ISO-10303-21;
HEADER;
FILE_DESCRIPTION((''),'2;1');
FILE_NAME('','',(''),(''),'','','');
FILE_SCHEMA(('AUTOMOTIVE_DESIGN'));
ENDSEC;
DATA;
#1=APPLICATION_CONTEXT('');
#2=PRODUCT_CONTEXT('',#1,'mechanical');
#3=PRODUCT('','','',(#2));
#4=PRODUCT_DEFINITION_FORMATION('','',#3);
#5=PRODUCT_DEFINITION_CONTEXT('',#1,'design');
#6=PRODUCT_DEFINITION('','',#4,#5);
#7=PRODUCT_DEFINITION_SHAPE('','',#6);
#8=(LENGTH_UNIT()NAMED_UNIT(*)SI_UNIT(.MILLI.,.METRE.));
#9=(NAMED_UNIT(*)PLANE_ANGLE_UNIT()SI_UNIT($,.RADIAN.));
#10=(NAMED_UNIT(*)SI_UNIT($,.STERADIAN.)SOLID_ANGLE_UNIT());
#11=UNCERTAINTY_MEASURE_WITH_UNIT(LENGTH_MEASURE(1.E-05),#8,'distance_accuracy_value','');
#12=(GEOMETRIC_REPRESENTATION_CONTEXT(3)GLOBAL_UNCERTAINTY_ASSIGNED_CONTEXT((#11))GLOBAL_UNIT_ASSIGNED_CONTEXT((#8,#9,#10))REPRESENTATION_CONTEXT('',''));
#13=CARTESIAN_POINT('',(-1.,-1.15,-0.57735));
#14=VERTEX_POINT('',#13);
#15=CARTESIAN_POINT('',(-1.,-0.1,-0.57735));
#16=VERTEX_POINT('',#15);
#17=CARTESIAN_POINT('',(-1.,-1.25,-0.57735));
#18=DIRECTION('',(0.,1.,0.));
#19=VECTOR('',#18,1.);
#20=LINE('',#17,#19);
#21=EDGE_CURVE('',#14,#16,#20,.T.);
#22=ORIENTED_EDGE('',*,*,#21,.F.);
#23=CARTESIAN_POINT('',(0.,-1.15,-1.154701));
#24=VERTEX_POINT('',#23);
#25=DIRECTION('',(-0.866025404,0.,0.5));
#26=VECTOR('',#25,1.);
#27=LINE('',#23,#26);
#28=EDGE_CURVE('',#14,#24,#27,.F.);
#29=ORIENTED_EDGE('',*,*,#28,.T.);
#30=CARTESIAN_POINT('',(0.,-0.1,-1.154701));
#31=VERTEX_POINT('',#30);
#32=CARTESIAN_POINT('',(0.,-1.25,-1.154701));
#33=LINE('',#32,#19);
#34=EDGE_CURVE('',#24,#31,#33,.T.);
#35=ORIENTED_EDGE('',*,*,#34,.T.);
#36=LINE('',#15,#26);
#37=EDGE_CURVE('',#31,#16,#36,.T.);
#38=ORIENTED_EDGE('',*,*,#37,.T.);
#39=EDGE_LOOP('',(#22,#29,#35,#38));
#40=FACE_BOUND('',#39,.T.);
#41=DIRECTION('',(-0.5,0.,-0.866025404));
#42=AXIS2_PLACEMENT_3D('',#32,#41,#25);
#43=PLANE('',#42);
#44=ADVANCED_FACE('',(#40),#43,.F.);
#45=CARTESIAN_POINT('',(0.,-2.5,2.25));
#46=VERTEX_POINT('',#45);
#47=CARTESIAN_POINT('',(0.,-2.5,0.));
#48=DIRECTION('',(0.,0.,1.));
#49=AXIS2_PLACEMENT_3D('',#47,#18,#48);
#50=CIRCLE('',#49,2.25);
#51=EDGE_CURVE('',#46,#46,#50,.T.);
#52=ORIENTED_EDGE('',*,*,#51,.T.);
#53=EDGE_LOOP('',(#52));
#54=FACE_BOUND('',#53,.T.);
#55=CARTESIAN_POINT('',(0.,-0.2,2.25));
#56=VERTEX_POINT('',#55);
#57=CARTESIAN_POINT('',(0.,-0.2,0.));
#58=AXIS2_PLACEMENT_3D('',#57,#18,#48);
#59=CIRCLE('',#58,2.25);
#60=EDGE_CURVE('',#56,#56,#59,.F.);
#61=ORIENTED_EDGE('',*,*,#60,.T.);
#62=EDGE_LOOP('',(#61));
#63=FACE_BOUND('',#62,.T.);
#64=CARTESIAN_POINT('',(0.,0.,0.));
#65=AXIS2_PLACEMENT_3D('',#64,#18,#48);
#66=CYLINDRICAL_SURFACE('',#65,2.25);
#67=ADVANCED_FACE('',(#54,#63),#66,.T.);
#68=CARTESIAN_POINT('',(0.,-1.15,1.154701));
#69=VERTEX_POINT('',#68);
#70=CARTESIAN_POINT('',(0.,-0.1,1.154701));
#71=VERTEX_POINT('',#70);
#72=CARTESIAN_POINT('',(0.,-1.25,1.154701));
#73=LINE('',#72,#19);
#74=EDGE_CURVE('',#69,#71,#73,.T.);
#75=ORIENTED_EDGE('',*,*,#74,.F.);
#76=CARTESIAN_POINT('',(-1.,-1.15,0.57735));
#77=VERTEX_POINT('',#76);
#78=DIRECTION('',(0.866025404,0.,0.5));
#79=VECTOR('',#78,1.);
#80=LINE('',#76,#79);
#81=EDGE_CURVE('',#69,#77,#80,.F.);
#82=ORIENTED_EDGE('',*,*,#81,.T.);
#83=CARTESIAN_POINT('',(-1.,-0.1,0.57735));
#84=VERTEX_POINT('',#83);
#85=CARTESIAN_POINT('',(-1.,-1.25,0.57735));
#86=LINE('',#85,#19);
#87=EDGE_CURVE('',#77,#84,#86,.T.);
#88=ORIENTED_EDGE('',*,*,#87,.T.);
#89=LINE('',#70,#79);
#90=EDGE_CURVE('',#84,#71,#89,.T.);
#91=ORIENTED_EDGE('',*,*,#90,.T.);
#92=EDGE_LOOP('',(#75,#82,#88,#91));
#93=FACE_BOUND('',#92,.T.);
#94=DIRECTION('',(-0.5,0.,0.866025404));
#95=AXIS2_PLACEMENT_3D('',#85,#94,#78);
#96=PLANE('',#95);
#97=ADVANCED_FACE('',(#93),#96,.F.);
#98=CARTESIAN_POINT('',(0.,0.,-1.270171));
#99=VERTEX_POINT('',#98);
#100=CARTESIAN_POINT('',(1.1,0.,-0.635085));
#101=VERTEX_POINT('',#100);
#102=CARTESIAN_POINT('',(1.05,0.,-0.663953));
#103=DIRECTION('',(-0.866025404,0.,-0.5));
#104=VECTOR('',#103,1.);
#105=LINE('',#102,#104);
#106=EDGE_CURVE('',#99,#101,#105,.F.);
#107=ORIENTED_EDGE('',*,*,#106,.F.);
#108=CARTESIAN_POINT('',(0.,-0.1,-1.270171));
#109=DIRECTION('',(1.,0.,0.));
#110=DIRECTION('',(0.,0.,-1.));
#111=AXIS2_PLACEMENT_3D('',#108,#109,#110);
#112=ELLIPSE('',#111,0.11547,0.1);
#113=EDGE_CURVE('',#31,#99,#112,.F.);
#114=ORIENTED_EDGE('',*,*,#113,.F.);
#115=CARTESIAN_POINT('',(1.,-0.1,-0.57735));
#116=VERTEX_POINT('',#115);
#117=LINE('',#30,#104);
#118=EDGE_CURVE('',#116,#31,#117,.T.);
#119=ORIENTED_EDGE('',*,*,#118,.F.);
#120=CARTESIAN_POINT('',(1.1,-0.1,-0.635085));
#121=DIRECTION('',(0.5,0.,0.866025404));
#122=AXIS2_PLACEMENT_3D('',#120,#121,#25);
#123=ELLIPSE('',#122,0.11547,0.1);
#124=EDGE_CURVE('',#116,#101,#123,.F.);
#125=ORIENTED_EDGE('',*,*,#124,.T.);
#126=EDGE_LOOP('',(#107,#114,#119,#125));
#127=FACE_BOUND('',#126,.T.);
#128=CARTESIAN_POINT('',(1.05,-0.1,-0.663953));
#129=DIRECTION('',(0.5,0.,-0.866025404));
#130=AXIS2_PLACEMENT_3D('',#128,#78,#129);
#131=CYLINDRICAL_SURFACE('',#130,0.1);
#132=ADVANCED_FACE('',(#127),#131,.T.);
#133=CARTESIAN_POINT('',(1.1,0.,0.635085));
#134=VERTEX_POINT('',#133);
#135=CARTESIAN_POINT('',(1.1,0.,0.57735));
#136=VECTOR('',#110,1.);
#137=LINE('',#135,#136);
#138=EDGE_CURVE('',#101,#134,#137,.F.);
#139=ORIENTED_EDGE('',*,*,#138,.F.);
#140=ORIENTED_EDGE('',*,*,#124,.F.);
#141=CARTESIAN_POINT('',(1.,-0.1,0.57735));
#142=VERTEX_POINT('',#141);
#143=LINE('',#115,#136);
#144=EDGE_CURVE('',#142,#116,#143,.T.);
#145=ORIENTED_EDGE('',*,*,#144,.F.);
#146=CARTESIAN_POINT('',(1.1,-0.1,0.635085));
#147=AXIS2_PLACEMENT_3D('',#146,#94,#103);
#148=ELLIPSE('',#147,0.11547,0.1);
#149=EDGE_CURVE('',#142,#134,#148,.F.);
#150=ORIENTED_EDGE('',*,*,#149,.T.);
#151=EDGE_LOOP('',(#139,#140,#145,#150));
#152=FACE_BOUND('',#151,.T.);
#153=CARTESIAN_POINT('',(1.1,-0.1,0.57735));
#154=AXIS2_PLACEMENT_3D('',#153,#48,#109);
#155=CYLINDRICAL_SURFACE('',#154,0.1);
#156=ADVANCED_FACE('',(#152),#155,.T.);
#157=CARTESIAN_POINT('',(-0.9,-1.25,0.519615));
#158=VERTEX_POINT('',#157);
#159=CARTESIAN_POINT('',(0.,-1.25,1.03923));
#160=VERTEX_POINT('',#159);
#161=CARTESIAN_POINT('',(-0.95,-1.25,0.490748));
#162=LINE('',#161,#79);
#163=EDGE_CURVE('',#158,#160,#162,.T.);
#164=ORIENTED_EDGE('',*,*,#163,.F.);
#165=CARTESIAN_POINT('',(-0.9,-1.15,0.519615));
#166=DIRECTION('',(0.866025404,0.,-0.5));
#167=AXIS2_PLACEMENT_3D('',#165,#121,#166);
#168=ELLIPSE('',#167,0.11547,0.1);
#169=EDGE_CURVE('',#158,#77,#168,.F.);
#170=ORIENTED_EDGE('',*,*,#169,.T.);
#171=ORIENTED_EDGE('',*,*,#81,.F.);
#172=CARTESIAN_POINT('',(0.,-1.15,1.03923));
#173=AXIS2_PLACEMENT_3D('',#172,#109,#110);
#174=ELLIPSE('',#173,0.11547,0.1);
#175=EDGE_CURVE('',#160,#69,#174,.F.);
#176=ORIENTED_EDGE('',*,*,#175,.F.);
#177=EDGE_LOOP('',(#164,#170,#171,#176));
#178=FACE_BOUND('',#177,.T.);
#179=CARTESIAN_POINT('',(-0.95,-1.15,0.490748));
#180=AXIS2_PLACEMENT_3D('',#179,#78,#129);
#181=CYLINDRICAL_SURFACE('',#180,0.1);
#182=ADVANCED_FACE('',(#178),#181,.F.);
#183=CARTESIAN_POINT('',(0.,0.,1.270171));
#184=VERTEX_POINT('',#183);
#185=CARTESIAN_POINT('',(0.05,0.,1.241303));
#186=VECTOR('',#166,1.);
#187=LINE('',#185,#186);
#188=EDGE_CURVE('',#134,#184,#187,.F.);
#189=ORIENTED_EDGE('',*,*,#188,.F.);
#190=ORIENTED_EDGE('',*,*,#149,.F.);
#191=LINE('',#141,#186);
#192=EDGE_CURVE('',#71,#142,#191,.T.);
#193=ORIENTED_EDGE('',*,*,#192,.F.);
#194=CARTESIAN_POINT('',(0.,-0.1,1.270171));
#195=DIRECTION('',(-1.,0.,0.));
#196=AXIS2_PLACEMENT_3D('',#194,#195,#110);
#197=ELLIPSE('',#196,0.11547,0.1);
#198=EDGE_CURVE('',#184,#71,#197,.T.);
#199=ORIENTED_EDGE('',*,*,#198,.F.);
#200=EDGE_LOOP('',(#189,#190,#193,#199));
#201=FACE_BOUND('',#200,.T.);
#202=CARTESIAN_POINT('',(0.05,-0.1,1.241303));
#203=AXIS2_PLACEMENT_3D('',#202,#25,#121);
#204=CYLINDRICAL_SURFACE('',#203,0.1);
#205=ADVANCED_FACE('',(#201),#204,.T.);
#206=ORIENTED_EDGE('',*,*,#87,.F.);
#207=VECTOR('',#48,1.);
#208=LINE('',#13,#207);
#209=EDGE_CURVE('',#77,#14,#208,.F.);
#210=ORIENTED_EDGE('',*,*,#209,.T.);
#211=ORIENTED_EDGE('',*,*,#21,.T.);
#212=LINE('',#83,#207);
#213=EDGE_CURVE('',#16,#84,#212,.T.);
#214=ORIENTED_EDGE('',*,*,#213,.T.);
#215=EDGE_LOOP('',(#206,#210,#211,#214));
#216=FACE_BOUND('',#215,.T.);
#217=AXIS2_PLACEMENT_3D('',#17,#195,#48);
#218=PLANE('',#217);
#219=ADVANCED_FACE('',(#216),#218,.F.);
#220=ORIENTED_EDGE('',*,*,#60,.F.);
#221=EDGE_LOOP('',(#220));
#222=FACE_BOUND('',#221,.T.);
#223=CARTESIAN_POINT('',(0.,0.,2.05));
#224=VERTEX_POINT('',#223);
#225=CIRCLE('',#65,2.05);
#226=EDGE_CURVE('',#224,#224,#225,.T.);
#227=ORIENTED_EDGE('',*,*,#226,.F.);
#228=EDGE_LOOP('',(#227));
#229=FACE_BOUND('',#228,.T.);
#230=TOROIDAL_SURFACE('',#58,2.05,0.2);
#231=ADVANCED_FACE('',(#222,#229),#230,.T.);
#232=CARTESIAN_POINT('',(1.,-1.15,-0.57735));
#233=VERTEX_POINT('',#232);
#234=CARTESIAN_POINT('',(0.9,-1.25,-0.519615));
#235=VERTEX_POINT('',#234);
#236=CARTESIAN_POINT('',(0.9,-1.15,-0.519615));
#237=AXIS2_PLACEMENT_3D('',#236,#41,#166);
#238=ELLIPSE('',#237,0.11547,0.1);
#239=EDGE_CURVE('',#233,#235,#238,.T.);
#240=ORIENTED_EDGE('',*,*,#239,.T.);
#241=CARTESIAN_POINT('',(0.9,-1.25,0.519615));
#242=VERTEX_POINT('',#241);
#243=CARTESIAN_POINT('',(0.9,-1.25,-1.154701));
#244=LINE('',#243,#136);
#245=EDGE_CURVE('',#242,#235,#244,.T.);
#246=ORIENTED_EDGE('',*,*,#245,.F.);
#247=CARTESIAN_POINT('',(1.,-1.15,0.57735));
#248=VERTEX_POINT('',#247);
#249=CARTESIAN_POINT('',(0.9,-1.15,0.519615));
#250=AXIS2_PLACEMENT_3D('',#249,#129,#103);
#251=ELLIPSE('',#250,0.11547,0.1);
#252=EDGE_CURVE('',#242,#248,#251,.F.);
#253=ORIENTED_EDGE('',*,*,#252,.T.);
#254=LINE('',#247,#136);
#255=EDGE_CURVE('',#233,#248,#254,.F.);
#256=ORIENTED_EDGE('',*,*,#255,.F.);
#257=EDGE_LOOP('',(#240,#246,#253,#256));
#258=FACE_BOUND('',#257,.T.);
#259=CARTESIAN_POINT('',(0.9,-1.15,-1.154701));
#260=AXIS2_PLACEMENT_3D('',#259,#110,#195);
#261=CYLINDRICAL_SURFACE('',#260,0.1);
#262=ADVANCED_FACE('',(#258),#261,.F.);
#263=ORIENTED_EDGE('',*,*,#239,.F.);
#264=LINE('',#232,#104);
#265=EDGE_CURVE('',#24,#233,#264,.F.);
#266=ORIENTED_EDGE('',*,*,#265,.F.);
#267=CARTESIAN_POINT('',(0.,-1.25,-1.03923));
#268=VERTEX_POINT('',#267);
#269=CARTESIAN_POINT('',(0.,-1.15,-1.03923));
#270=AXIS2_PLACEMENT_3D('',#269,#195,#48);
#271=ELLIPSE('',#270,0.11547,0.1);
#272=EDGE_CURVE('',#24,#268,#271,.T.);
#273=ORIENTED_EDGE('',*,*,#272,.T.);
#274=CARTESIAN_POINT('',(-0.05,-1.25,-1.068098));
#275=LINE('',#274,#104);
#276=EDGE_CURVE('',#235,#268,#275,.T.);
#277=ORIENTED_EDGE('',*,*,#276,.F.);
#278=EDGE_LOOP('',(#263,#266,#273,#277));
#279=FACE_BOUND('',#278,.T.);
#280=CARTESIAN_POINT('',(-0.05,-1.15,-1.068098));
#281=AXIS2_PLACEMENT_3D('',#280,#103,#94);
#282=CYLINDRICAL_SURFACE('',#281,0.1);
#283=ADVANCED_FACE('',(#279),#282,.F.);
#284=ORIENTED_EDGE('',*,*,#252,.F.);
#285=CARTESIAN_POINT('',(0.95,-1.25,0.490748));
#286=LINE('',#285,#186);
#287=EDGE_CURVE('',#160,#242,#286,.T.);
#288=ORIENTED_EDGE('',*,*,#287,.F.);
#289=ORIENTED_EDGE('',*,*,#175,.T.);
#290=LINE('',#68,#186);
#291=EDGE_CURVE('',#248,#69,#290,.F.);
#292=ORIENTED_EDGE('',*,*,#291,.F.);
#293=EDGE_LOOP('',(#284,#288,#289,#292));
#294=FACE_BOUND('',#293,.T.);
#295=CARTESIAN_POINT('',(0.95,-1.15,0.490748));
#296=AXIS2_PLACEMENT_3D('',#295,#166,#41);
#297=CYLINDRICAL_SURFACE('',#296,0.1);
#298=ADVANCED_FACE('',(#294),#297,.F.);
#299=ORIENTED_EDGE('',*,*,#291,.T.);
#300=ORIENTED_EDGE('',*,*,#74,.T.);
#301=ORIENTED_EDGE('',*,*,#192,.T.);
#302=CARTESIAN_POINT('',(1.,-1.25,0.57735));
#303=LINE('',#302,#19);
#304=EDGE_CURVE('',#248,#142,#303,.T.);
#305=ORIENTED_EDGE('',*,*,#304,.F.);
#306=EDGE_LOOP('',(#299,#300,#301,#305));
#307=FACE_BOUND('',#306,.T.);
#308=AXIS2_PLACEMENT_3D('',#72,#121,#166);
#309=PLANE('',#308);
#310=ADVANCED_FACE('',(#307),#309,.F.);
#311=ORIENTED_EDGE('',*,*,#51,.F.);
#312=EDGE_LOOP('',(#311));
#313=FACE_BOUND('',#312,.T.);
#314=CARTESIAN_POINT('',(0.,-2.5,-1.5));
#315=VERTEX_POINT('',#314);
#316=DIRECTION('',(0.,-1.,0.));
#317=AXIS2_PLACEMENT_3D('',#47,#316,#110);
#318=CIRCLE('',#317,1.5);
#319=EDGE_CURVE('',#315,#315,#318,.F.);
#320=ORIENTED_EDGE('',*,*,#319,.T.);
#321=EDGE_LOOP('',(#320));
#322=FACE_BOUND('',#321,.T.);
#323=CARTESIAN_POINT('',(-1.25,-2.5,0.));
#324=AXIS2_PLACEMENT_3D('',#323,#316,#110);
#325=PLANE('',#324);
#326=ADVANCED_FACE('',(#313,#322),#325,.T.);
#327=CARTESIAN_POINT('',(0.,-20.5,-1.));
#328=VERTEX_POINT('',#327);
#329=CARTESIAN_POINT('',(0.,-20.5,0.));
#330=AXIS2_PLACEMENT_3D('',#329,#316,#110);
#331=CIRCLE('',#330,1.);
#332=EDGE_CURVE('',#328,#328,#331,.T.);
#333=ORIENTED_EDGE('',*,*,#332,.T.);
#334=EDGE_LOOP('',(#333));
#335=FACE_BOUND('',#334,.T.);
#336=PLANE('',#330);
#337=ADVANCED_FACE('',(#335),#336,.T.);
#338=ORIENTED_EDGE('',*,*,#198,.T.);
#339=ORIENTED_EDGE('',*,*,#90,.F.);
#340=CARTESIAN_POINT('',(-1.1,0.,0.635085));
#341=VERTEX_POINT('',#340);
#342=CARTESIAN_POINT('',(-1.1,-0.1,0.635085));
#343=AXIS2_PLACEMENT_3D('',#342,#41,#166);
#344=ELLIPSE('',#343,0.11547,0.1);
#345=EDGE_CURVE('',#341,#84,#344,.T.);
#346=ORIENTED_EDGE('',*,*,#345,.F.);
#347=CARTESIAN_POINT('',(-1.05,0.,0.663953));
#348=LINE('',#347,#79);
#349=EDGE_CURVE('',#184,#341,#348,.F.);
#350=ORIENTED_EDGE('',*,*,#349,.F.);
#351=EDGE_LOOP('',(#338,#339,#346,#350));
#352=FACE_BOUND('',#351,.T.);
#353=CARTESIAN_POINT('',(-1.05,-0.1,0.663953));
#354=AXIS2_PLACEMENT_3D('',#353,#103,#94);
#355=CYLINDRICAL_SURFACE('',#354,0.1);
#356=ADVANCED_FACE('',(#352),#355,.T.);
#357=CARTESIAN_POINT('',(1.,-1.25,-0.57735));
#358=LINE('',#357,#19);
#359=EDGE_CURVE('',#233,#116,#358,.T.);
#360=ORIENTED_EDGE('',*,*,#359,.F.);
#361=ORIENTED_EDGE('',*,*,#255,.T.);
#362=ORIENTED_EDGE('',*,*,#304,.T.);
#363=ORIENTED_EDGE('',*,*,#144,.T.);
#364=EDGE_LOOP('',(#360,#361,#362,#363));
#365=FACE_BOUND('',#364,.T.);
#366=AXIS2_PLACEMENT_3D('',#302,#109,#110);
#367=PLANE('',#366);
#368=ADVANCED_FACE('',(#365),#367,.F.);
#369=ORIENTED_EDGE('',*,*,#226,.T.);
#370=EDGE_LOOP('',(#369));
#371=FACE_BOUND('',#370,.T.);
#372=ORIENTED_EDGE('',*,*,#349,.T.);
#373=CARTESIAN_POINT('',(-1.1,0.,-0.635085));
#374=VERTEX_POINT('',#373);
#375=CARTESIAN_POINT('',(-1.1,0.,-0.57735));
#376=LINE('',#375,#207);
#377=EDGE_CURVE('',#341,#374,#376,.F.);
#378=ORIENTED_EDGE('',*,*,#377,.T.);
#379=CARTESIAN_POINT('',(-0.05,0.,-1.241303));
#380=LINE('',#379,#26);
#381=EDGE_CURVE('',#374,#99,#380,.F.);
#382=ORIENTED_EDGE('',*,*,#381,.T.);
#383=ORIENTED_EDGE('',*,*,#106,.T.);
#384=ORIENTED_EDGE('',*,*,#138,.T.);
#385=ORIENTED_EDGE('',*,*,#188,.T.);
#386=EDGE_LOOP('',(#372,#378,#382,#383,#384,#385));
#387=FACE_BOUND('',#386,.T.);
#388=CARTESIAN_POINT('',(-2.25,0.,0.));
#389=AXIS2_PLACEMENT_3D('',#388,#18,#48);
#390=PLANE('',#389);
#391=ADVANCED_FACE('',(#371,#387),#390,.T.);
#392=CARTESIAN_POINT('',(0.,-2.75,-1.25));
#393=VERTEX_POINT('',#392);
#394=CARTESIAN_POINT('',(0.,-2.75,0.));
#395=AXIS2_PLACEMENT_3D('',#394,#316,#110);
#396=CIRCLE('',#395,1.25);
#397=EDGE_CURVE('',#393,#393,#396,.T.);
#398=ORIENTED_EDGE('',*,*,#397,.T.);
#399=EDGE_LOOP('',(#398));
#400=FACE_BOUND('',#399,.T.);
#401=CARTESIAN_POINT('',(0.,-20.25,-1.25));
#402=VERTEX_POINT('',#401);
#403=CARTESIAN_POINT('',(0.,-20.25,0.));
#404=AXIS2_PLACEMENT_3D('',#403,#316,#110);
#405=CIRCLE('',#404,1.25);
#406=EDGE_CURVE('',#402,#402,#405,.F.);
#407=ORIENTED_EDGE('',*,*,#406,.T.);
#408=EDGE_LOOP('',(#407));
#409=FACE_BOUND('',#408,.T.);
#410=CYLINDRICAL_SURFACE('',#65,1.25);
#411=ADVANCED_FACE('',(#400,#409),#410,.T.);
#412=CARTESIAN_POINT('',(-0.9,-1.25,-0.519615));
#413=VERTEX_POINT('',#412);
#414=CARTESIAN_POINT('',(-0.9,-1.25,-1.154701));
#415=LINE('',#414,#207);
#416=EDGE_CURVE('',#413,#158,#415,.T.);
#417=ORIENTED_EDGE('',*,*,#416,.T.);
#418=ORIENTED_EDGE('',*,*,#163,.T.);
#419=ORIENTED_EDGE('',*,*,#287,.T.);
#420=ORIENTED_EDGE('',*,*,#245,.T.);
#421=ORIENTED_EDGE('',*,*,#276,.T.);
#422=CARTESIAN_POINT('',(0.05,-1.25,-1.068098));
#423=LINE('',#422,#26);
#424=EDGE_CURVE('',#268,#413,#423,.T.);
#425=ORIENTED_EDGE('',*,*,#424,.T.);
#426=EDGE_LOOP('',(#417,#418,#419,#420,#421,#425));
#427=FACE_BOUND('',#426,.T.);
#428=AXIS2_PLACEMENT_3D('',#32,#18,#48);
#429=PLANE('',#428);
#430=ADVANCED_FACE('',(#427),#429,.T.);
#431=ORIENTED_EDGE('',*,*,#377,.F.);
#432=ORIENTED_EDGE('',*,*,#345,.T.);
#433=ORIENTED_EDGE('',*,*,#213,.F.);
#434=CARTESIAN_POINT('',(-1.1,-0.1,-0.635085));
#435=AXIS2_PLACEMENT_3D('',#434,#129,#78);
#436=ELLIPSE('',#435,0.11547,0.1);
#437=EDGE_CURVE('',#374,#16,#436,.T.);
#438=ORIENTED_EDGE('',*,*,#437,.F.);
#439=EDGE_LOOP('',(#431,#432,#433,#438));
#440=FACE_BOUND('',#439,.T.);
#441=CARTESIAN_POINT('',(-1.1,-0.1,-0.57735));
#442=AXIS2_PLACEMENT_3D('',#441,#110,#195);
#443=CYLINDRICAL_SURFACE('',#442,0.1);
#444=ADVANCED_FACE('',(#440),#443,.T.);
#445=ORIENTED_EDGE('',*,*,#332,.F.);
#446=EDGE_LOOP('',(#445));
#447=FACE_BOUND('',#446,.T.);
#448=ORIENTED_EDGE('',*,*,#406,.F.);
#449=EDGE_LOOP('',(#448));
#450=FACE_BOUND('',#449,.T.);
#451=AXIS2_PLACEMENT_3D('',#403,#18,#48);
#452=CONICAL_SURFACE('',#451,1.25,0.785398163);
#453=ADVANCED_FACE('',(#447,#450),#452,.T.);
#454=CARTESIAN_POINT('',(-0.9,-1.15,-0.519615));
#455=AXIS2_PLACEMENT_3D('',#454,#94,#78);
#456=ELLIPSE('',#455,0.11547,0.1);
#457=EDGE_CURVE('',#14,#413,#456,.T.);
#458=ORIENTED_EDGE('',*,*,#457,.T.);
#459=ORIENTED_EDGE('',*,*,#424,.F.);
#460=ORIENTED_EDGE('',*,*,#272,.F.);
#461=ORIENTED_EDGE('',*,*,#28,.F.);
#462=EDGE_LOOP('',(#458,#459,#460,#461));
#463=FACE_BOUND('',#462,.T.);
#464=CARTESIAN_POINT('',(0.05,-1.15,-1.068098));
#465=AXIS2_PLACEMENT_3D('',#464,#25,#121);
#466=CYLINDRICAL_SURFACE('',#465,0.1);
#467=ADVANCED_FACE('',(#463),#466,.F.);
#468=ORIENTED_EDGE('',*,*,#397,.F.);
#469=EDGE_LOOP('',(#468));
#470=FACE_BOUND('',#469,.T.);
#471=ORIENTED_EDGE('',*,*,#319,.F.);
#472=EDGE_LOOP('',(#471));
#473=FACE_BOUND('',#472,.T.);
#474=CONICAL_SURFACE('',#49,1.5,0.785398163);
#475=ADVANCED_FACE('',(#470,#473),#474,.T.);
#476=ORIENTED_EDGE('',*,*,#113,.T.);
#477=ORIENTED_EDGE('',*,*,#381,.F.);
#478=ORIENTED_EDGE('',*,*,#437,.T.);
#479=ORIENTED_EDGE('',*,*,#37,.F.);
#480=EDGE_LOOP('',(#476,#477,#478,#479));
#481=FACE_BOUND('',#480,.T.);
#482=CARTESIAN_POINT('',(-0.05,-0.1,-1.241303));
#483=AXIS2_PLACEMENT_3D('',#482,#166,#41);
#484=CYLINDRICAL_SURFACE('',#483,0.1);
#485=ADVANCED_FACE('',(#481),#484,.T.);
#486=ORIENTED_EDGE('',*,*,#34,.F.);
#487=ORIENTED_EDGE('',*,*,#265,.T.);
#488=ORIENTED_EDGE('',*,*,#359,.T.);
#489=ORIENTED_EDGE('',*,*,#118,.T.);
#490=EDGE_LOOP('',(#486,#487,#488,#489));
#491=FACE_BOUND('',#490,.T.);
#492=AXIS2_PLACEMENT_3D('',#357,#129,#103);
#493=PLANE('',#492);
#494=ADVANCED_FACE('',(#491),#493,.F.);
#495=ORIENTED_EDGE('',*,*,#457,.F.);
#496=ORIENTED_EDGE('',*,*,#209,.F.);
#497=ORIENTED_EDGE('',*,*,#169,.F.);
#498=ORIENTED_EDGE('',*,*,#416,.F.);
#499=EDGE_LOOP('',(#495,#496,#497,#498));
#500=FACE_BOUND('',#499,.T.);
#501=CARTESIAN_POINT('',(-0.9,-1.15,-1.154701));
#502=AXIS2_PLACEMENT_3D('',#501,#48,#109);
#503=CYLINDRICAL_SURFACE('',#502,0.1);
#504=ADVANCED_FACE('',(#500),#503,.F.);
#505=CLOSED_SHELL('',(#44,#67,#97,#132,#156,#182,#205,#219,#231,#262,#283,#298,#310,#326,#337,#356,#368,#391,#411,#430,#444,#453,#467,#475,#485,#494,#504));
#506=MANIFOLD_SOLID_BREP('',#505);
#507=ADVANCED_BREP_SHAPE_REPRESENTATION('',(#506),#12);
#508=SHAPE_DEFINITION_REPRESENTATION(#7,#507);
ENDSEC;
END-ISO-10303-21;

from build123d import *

# Parameters (mm, degrees)
CHAMFER1_SIZE      = 0.25
FILLET1_R          = 0.2
CUT_EXTRUDE1_DEPTH = 1.25
FILLET2_R          = 0.1


with BuildPart() as part:
    # Sketch1 → Revolve1 (revolve)
    with BuildSketch(Plane.XY, mode=Mode.PRIVATE) as revolve1_sk:
        Polygon((0, -20.5), (-1.25, -20.5), (-1.25, -2.5), (-2.25, -2.5), (-2.25, 0), (0, 0), align=None)
    revolve(revolve1_sk.sketch.rotate(Axis((0, 0, 0), (0, -1, 0)), 270), axis=Axis((0, 0, 0), (0, -1, 0)))

    # Chamfer1
    chamfer1_edges = [part.edges().sort_by_distance(p)[0] for p in [
        (0, -2.5, -1.25),
        (0, -20.5, -1.25),
    ]]
    chamfer(chamfer1_edges, length=CHAMFER1_SIZE)

    # Fillet1
    fillet1_edges = [part.edges().sort_by_distance(p)[0] for p in [
        (0, 0, -2.25),
    ]]
    fillet(fillet1_edges, radius=FILLET1_R)

    # Sketch2 → Cut-Extrude1 (cut)
    with BuildSketch(Plane(origin=(0, 0, 0), x_dir=(1, 0, 0), z_dir=(0, 1, 0))):
        Polygon((0, 1.154700538), (-1, 0.577350269), (-1, -0.577350269), (0, -1.154700538), (1, -0.577350269), (1, 0.577350269), align=None)
    extrude(amount=-CUT_EXTRUDE1_DEPTH, mode=Mode.SUBTRACT)

    # Fillet2
    fillet2_edges = [part.edges().sort_by_distance(p)[0] for p in [
        (0.5, -1.25, -0.866025404),
        (1, -1.25, 0),
        (0.5, -1.25, 0.866025404),
        (-0.5, -1.25, 0.866025404),
        (-1, -1.25, 0),
        (-0.5, -1.25, -0.866025404),
        (0.4999999999999987, 0, -0.8660254037844397),
        (-0.5000000000000006, 0, -0.8660254037844395),
        (-1, 0, 0),
        (-0.5000000000000007, 0, 0.8660254037844379),
        (0.4999999999999988, 0, 0.8660254037844382),
        (1, 0, 0),
    ]]
    fillet(fillet2_edges, radius=FILLET2_R)


solid = part.part
